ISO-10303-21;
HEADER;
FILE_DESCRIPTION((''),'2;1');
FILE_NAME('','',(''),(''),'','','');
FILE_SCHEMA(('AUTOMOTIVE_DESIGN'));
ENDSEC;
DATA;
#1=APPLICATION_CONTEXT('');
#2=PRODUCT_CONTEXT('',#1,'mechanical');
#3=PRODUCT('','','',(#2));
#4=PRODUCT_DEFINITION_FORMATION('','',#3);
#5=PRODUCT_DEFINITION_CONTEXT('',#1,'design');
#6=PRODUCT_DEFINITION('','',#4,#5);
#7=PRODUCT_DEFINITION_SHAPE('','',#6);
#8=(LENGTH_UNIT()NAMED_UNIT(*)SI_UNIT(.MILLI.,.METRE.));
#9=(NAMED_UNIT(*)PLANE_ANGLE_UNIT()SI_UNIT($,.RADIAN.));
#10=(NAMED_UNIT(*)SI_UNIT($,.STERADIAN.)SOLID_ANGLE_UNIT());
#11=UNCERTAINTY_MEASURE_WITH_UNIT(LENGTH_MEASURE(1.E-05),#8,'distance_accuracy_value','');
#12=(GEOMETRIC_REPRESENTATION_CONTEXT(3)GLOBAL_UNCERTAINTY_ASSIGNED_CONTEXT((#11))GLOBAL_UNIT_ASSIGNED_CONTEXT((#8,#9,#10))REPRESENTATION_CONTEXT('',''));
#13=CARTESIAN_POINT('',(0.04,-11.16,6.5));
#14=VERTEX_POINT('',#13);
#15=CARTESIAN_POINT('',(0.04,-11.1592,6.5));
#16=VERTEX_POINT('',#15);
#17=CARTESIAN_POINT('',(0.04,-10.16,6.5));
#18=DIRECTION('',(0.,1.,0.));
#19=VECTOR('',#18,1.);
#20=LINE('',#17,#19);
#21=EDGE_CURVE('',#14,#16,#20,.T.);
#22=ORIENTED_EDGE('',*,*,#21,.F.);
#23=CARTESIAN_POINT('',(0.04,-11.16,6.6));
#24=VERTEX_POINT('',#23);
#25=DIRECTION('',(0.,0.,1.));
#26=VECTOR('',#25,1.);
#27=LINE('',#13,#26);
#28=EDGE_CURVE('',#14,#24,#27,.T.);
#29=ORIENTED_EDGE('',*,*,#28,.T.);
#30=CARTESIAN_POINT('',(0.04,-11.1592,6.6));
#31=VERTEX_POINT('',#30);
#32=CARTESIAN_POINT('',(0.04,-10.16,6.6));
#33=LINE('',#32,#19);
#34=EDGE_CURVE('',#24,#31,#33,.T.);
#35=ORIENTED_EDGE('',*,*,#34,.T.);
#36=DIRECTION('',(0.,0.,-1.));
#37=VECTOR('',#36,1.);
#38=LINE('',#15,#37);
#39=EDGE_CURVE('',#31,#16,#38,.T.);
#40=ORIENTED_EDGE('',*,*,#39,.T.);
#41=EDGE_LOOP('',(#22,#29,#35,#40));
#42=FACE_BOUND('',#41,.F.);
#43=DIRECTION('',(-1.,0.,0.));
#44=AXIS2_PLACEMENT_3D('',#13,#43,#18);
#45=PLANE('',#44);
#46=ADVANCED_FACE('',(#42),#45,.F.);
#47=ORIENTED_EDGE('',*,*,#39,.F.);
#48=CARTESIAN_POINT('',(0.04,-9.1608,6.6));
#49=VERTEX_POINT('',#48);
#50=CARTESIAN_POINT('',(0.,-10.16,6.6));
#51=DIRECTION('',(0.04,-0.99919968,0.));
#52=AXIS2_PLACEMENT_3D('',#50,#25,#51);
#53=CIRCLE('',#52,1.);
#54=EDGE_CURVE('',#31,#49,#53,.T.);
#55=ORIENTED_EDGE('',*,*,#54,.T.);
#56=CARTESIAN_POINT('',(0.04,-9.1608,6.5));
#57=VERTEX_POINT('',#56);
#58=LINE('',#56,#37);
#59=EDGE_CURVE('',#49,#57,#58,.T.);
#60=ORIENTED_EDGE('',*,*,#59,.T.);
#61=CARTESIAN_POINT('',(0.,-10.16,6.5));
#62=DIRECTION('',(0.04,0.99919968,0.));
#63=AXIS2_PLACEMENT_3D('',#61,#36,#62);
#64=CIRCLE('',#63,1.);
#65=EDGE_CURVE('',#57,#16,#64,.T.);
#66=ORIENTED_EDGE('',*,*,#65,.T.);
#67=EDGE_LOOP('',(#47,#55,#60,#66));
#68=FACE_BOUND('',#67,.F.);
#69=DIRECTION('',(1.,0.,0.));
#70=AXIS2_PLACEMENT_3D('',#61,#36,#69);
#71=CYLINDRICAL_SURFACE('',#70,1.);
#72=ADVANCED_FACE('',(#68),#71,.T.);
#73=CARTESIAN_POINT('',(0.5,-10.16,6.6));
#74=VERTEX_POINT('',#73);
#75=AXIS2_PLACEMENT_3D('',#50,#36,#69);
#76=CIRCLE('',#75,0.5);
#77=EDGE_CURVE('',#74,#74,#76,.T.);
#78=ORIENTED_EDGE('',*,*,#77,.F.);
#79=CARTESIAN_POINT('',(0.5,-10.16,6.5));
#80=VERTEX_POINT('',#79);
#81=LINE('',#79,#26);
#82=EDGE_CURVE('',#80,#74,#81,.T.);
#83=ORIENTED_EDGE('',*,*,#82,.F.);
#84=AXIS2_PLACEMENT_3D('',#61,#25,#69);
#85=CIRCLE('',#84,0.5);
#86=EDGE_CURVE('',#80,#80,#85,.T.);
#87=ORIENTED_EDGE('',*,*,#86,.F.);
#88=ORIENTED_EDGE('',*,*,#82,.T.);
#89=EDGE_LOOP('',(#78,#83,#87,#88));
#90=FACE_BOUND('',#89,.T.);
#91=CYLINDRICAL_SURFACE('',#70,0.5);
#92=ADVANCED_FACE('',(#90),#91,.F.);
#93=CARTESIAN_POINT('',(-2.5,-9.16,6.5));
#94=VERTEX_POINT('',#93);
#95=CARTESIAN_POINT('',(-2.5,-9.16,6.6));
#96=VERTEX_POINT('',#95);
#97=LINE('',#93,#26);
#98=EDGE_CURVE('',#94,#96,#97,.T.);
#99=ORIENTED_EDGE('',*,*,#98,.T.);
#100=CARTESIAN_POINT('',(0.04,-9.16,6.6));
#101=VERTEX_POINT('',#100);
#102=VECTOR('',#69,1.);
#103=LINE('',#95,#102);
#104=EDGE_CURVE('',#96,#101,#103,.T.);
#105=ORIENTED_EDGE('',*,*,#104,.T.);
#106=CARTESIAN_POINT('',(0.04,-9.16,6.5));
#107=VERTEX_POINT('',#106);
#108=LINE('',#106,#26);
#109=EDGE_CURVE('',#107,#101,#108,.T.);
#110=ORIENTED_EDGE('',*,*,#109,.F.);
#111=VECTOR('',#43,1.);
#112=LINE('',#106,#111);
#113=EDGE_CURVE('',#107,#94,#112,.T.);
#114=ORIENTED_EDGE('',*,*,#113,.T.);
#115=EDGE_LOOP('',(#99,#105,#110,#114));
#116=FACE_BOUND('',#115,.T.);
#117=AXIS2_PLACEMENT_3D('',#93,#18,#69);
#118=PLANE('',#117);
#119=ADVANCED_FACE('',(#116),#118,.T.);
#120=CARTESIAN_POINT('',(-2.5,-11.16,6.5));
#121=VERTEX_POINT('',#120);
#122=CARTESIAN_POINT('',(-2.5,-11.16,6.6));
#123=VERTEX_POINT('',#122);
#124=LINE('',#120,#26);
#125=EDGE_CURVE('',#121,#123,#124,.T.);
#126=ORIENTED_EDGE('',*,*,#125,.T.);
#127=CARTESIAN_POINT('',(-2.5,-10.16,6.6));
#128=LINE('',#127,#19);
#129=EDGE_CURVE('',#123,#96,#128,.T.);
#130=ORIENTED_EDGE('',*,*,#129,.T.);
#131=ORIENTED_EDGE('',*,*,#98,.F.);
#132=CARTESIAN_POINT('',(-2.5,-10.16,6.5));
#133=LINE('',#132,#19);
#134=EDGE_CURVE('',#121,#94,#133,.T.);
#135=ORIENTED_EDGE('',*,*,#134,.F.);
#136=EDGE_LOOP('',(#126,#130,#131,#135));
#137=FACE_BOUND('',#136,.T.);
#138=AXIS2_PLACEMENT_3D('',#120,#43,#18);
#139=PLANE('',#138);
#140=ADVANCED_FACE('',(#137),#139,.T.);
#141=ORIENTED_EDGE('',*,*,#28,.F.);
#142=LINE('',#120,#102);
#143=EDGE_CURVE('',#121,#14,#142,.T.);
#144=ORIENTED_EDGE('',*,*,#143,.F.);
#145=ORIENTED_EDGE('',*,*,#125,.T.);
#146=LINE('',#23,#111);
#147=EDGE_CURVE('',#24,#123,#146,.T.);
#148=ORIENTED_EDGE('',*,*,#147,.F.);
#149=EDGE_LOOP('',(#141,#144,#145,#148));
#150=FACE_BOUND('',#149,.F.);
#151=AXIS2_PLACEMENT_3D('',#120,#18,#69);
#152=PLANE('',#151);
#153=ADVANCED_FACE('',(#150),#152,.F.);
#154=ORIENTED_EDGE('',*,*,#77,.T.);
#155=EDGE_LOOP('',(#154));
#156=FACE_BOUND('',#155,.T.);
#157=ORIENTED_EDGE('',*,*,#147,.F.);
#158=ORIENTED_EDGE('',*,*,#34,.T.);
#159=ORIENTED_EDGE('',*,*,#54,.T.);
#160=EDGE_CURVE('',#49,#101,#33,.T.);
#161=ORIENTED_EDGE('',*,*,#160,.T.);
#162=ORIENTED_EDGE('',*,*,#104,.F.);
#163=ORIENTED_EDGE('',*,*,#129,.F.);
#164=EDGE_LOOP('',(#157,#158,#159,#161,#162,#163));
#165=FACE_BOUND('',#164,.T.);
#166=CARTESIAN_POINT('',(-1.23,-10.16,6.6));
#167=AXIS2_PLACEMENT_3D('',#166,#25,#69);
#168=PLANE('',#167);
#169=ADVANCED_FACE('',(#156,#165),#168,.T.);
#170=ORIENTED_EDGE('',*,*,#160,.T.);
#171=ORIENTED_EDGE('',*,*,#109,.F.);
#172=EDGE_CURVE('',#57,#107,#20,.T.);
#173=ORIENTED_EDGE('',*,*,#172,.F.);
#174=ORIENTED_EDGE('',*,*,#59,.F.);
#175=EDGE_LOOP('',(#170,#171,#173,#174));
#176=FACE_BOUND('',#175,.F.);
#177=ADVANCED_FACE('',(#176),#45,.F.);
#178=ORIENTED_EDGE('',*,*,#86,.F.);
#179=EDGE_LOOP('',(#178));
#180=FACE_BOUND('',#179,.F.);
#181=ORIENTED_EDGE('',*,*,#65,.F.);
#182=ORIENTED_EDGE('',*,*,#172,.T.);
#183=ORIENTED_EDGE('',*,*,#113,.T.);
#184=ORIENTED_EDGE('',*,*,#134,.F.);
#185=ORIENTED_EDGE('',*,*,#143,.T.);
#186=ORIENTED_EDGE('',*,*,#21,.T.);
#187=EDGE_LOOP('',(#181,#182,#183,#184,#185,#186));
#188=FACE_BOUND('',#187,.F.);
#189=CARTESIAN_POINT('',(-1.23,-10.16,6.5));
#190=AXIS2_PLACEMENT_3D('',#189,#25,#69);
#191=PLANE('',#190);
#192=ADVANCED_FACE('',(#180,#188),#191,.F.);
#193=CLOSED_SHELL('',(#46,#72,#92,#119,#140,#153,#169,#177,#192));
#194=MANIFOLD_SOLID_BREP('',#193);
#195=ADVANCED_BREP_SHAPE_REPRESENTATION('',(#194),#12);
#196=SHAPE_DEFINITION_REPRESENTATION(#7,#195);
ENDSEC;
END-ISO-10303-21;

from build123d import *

# Parameters (mm, degrees)
CYLINDER014_R     = 0.5
CYLINDER014_DEPTH = 0.1
BOX007_W          = 2.54
BOX007_H          = 2
BOX007_DEPTH      = 0.1
CYLINDER013_R     = 0.5
CYLINDER013_DEPTH = 0.1
CYLINDER012_R     = 1
CYLINDER012_DEPTH = 0.1


with BuildPart() as cylinder014:
    # Cylinder014 → Cylinder014 (new body)
    with BuildSketch(Plane.XY.offset(1)):
        Circle(CYLINDER014_R)
    extrude(amount=CYLINDER014_DEPTH)


with BuildPart() as cut010:
    # Box007 → Box007 (new body)
    with BuildSketch(Plane(origin=(-2.5, -1, 1), x_dir=(1, 0, 0), z_dir=(0, 0, 1))):
        with Locations((1.27, 1)):
            Rectangle(BOX007_W, BOX007_H)
    extrude(amount=BOX007_DEPTH)

    # Cut010: cut Cylinder014
    add(cylinder014.part, mode=Mode.SUBTRACT)


with BuildPart() as cylinder013:
    # Cylinder013 → Cylinder013 (new body)
    with BuildSketch(Plane.XY.offset(1)):
        Circle(CYLINDER013_R)
    extrude(amount=CYLINDER013_DEPTH)


with BuildPart() as fusion004:
    # Cylinder012 → Cylinder012 (new body)
    with BuildSketch(Plane.XY.offset(1)):
        Circle(CYLINDER012_R)
    extrude(amount=CYLINDER012_DEPTH)

    # Cut009: cut Cylinder013
    add(cylinder013.part, mode=Mode.SUBTRACT)

    # Fusion004: union Cut010
    add(cut010.part)


with BuildPart() as fusion004_1:
    # Fusion004 placement: moved
    add(fusion004.part.moved(Location((0, -10.16, 5.5))))


solid = fusion004_1.part
